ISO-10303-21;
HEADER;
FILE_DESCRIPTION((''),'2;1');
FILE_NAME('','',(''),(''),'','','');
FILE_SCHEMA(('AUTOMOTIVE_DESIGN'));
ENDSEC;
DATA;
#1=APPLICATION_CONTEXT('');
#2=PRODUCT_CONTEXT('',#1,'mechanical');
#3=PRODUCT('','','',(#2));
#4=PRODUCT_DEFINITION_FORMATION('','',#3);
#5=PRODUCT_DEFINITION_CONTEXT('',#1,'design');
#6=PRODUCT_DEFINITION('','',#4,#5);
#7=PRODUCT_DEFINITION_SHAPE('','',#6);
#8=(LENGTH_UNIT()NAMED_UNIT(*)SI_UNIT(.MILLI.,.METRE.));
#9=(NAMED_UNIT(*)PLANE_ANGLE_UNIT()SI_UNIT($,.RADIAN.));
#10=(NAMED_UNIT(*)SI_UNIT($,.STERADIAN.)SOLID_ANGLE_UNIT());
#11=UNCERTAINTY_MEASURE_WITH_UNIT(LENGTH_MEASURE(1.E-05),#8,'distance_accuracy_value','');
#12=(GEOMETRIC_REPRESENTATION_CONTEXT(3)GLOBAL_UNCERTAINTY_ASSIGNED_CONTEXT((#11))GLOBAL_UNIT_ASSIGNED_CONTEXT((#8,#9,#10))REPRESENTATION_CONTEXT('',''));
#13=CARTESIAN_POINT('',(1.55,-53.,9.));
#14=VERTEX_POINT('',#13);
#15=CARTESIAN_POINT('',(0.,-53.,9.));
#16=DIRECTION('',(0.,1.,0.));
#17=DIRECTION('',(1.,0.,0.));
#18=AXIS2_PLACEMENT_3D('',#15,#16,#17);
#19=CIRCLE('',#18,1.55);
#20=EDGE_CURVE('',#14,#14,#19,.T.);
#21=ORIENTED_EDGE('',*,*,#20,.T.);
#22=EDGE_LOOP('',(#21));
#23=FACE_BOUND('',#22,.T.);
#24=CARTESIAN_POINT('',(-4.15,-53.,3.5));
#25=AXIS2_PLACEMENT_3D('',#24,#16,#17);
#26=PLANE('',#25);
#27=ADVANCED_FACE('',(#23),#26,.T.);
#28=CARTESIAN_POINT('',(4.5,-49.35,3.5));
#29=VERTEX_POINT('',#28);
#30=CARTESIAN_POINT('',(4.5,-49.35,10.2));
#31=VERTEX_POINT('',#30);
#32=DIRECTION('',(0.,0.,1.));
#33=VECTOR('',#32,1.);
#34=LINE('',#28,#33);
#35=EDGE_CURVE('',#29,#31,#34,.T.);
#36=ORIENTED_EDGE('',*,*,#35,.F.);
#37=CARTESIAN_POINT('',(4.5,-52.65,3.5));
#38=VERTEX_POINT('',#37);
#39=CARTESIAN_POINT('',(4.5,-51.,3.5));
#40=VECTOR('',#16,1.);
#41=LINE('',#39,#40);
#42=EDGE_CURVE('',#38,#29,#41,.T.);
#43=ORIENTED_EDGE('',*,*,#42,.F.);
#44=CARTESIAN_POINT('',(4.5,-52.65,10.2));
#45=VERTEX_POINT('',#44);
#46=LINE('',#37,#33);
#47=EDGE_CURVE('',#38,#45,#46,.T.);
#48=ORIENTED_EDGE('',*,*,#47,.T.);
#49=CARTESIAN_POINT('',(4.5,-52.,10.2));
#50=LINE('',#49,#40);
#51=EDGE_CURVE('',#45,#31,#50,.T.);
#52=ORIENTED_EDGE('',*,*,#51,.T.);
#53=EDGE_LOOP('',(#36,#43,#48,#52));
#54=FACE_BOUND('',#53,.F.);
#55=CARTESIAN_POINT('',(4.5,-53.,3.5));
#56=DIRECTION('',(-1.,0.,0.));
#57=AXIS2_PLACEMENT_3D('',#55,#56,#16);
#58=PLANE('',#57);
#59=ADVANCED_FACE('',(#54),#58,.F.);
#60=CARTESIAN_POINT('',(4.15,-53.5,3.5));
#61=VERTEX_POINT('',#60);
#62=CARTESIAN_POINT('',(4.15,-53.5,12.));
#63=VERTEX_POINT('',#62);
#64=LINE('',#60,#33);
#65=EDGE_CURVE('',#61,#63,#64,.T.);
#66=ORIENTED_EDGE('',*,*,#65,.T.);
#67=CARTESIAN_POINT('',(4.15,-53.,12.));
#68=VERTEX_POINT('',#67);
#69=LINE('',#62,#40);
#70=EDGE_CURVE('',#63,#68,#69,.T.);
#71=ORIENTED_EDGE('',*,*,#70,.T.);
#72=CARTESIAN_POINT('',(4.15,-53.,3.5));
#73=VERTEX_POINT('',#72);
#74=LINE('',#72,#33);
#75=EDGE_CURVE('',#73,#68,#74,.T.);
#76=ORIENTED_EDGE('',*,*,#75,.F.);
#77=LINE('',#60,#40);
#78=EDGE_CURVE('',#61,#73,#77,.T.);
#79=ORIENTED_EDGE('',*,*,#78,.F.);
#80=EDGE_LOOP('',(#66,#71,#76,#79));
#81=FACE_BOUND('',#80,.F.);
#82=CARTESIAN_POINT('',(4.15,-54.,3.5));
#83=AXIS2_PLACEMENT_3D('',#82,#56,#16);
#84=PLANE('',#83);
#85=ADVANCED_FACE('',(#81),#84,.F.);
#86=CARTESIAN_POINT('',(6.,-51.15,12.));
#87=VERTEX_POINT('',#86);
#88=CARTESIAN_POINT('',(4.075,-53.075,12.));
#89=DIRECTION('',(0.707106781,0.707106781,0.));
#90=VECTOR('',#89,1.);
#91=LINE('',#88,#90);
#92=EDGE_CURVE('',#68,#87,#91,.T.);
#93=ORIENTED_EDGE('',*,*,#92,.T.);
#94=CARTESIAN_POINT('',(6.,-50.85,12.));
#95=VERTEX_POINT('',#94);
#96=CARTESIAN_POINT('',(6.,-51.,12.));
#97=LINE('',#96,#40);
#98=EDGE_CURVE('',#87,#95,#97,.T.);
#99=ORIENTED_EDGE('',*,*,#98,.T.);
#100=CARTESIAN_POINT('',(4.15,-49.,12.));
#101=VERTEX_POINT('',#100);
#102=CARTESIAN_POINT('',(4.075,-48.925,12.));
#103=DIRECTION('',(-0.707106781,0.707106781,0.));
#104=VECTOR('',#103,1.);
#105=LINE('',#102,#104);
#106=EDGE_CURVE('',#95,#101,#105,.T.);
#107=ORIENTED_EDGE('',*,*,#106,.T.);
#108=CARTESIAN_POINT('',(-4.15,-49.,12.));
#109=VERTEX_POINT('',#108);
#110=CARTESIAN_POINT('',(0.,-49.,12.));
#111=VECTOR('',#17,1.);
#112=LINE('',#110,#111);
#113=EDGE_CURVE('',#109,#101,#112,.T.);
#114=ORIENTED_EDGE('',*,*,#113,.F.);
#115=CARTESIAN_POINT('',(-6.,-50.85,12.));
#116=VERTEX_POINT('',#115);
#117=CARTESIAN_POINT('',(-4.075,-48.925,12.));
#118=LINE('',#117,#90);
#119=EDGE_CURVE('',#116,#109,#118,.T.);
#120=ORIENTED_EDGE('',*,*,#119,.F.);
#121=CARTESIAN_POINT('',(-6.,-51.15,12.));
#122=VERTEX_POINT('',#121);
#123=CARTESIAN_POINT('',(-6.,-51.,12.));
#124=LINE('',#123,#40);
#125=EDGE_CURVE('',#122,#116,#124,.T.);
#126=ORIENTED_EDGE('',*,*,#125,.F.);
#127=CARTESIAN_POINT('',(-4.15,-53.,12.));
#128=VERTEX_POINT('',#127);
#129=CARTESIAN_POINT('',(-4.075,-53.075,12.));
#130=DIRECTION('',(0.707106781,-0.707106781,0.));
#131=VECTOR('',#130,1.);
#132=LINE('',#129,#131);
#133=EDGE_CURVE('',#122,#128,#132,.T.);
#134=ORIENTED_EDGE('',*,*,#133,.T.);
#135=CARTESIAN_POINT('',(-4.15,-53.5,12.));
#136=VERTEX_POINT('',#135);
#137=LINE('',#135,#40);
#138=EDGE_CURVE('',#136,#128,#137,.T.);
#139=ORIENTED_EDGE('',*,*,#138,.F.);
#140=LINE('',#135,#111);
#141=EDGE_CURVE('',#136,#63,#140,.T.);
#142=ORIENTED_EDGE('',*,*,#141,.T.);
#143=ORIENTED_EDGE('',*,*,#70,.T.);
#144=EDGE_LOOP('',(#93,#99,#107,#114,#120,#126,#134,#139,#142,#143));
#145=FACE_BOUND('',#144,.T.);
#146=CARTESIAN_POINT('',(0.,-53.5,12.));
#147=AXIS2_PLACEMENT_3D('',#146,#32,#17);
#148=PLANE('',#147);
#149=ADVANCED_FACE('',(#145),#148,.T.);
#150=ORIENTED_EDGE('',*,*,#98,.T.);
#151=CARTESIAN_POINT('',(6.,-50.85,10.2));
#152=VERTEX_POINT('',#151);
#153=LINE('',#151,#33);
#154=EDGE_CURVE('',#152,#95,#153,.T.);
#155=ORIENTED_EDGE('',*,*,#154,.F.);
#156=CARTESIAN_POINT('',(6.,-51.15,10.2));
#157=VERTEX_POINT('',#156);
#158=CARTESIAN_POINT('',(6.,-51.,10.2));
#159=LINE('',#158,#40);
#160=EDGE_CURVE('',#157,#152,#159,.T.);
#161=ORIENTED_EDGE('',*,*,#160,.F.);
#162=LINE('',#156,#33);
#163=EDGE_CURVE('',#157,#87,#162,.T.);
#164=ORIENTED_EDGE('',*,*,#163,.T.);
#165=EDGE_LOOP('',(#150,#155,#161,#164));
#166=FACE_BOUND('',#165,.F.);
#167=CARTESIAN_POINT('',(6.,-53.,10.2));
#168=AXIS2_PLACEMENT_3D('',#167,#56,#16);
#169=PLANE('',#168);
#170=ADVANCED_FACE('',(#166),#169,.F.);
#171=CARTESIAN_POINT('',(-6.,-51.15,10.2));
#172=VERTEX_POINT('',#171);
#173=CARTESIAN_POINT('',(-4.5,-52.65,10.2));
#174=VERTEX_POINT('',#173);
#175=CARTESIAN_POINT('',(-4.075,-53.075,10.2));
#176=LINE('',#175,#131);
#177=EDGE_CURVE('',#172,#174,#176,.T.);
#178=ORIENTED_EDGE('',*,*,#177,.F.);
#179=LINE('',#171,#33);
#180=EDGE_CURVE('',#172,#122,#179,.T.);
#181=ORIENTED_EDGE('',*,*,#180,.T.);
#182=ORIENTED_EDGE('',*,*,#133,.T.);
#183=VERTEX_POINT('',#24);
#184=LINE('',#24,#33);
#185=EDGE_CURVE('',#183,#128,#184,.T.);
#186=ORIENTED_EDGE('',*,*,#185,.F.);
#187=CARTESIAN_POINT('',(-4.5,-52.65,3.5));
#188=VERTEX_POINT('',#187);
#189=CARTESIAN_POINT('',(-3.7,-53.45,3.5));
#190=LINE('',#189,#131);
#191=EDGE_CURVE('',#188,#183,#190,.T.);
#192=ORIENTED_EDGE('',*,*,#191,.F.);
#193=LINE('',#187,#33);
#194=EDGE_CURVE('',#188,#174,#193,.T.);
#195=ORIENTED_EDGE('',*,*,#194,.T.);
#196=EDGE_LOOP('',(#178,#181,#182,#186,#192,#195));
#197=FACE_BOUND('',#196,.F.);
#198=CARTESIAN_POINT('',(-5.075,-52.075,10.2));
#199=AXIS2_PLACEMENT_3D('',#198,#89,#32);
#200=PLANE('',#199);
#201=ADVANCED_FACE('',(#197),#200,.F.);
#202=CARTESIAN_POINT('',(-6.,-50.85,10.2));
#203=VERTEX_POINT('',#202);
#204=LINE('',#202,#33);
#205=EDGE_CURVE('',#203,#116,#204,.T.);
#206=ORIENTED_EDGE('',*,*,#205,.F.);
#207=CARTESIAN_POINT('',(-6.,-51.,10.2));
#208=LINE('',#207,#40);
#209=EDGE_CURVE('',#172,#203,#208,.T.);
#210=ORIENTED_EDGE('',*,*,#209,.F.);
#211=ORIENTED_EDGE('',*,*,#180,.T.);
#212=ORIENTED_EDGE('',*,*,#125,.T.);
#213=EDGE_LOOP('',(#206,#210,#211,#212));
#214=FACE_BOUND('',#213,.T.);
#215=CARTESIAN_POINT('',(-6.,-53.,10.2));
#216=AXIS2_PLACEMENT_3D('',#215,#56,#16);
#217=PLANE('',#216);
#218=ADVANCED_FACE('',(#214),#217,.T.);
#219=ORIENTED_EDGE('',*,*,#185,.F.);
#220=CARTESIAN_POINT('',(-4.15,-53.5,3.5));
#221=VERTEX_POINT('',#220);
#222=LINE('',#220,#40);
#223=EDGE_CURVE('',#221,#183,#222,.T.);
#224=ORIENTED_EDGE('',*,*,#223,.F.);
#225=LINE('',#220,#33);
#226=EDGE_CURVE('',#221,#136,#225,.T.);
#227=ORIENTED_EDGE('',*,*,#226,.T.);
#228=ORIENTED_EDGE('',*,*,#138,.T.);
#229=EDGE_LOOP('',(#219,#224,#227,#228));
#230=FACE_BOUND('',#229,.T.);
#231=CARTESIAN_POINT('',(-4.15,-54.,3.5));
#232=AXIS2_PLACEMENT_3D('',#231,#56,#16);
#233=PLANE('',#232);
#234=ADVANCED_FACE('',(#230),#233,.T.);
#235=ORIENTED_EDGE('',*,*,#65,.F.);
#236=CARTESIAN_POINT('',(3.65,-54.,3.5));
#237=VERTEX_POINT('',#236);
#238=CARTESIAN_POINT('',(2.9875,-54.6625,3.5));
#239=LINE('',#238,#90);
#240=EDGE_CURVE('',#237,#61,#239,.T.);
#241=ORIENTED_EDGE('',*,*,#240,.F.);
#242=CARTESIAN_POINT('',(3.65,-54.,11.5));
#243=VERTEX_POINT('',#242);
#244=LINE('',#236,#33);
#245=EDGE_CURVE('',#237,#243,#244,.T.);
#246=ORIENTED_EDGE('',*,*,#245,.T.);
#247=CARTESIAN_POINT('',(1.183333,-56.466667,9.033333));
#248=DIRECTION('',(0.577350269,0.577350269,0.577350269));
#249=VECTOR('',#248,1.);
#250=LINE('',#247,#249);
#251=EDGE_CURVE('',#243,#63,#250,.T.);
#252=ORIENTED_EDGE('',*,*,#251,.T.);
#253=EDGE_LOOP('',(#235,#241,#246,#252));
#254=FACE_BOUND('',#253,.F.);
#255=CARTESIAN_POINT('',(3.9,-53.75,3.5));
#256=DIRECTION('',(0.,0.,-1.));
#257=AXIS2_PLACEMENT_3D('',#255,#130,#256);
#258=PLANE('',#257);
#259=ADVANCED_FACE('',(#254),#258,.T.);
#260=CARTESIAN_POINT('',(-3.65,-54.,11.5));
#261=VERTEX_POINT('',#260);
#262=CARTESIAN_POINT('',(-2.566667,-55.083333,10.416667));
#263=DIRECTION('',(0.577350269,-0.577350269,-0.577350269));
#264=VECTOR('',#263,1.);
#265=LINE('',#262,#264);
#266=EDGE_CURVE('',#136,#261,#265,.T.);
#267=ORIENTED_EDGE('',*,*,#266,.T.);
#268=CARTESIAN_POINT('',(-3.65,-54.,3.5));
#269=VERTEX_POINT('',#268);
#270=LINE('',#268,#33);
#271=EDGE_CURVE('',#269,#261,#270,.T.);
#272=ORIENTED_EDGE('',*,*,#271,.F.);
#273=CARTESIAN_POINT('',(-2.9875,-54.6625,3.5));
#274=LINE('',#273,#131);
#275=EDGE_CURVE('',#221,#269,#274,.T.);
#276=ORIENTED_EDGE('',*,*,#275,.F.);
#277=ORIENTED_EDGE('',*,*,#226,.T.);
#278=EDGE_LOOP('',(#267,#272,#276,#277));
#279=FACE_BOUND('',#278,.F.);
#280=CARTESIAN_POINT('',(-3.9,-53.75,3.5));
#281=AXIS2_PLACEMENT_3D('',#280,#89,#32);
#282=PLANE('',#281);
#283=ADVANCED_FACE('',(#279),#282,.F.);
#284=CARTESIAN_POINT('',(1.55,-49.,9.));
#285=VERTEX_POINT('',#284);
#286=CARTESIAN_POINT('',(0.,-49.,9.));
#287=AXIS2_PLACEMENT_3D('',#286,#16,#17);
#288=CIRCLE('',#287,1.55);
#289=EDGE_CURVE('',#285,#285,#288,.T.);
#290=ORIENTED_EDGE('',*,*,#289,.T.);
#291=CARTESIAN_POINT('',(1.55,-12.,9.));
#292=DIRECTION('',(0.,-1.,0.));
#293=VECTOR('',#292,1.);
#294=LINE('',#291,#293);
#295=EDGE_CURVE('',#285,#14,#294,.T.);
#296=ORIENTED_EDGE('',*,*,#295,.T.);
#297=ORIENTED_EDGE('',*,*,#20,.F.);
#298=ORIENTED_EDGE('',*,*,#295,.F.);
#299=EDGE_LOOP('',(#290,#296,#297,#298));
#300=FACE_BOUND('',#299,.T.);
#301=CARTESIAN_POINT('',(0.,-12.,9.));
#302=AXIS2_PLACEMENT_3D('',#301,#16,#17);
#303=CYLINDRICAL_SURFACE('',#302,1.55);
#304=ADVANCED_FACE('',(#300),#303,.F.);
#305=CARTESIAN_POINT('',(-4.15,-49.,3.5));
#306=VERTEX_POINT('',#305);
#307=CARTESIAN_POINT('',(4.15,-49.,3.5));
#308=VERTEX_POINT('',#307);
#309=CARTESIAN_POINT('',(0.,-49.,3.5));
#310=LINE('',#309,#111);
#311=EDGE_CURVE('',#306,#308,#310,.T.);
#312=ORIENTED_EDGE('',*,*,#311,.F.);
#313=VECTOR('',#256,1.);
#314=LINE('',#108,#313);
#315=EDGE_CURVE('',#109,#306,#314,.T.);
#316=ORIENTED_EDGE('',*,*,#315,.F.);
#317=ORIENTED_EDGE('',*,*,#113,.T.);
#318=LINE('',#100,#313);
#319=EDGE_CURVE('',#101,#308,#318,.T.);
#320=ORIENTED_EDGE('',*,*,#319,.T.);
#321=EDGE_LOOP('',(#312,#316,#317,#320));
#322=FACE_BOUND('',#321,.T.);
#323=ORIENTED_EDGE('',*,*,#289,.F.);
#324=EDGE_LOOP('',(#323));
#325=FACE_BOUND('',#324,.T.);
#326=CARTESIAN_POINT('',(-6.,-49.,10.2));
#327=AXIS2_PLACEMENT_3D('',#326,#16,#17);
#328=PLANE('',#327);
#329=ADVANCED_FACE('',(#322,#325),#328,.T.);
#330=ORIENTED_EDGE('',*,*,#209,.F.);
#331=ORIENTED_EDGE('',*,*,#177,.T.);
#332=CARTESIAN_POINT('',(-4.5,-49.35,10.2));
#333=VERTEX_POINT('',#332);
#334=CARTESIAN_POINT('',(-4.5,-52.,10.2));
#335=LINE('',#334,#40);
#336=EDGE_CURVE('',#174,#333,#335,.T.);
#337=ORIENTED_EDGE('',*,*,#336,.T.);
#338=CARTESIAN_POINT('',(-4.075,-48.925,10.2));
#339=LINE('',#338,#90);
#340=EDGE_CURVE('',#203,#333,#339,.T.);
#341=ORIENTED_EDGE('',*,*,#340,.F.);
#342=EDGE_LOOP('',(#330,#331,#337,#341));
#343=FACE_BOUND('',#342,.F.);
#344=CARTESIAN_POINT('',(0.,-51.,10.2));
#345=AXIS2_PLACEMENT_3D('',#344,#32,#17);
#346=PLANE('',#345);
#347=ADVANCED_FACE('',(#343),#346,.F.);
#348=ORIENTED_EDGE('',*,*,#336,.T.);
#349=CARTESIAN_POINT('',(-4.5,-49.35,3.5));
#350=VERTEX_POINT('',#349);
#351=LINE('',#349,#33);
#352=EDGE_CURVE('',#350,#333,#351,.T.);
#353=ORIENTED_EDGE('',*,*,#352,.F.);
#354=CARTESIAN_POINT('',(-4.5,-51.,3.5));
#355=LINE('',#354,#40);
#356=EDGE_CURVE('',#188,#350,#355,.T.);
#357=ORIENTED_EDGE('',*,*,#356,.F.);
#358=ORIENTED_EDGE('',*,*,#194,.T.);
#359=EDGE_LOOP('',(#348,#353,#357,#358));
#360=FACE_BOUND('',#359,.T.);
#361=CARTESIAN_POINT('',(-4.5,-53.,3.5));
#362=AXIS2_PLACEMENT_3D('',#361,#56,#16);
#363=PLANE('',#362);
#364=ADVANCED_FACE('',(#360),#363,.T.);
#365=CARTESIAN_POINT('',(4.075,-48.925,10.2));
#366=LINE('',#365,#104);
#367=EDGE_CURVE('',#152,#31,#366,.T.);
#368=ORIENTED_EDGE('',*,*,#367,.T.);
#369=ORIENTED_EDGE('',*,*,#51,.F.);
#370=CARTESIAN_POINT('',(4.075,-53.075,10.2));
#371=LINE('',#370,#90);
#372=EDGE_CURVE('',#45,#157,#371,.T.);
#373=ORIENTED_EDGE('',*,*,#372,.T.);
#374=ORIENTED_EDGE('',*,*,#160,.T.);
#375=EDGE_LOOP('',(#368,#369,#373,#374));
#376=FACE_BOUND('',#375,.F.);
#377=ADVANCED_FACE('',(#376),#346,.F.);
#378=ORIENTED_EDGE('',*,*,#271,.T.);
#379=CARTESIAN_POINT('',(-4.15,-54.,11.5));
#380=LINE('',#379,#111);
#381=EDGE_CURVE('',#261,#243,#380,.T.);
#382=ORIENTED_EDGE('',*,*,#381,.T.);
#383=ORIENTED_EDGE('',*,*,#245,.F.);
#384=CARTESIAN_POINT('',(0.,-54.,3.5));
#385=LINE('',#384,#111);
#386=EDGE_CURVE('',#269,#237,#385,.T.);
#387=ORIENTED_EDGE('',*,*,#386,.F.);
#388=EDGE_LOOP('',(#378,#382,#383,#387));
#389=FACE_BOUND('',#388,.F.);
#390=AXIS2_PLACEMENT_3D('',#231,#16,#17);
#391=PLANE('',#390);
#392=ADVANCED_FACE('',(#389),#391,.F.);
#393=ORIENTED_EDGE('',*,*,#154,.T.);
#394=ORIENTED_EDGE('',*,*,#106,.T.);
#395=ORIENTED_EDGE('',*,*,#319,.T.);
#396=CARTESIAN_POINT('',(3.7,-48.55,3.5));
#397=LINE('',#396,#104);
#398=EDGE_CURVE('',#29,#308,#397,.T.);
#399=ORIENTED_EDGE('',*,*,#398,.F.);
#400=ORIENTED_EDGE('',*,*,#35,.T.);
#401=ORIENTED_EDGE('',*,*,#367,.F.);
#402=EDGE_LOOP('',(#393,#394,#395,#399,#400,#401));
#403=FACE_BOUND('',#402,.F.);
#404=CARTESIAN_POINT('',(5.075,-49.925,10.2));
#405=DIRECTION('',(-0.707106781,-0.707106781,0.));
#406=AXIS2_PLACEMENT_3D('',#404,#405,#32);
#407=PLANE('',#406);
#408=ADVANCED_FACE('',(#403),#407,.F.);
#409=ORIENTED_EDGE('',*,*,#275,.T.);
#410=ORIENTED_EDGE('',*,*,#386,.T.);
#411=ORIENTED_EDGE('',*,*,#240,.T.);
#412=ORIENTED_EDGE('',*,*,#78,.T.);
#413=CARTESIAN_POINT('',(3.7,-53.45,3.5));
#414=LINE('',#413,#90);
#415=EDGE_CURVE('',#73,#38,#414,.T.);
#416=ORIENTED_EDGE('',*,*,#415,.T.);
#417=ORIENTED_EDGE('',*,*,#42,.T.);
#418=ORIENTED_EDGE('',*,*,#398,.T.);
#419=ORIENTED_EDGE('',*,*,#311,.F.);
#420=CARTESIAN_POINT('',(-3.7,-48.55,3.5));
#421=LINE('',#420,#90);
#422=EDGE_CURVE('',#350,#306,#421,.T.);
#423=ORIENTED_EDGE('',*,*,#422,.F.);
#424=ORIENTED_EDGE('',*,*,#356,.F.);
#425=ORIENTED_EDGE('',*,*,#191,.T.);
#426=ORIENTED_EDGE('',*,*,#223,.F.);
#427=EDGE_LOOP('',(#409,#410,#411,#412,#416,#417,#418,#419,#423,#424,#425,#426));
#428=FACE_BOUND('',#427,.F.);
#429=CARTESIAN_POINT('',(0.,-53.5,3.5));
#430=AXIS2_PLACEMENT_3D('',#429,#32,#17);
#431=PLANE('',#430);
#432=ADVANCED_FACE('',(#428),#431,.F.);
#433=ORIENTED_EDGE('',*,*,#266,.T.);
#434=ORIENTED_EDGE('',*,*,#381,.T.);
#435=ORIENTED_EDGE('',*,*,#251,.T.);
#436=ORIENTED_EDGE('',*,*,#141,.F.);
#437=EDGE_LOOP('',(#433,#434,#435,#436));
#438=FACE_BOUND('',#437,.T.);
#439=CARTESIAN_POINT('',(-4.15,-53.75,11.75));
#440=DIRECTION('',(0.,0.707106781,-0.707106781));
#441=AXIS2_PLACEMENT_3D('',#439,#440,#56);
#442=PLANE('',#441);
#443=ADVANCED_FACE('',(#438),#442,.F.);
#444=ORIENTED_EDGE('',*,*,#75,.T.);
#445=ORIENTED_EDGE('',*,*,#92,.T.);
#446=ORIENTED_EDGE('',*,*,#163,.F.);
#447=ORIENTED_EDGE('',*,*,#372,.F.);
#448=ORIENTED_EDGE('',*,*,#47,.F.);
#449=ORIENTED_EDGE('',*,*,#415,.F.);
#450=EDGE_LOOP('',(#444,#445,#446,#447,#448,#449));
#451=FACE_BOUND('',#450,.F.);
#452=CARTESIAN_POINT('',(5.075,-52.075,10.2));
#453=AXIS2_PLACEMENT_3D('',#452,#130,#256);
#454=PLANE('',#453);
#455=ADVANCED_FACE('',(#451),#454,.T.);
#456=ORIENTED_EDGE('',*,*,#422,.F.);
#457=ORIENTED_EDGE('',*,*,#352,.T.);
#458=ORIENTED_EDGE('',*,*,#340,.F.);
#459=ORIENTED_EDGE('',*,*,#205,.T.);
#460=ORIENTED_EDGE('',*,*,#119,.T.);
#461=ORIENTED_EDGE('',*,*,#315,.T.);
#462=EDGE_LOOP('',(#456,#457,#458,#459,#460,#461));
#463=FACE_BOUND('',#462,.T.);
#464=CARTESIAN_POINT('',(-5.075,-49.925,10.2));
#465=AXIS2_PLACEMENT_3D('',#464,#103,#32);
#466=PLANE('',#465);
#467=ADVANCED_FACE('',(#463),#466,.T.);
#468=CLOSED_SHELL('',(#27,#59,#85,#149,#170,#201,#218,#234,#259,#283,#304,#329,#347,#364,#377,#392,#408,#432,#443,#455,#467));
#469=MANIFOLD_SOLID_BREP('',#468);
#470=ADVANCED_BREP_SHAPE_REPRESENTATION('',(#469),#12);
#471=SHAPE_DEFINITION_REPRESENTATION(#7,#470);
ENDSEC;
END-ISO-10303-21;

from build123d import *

# Parameters (mm, degrees)
BOX010_W          = 8.3
BOX010_H          = 1
BOX010_DEPTH      = 8.5
CHAMFER009_SIZE   = 0.5
CYLINDER005_R     = 1.55
CYLINDER005_DEPTH = 67
BOX008_W          = 12
BOX008_H          = 4
BOX008_DEPTH      = 1.8
CHAMFER006_SIZE   = 1.85
BOX007_W          = 9
BOX007_H          = 4
BOX007_DEPTH      = 7
CHAMFER007_SIZE   = 0.35


with BuildPart() as chamfer009:
    # Box010 → Box010 (new body)
    with BuildSketch(Plane(origin=(-4.15, -42, 3.5), x_dir=(1, 0, 0), z_dir=(0, 0, 1))):
        with Locations((4.15, 0.5)):
            Rectangle(BOX010_W, BOX010_H)
    extrude(amount=BOX010_DEPTH)

    # Chamfer009
    chamfer009_edges = [chamfer009.edges().sort_by_distance(p)[0] for p in [
        (-4.15, -42, 7.75),
        (4.15, -42, 7.75),
        (0, -42, 12),
    ]]
    chamfer(chamfer009_edges, length=CHAMFER009_SIZE)


with BuildPart() as cylinder005:
    # Cylinder005 → Cylinder005 (new body)
    with BuildSketch(Plane(origin=(0, 0, 9), x_dir=(1, 0, 0), z_dir=(0, -1, 0))):
        Circle(CYLINDER005_R)
    extrude(amount=CYLINDER005_DEPTH)


with BuildPart() as chamfer006:
    # Box008 → Box008 (new body)
    with BuildSketch(Plane(origin=(-6, -41, 10.2), x_dir=(1, 0, 0), z_dir=(0, 0, 1))):
        with Locations((6, 2)):
            Rectangle(BOX008_W, BOX008_H)
    extrude(amount=BOX008_DEPTH)

    # Chamfer006
    chamfer006_edges = [chamfer006.edges().sort_by_distance(p)[0] for p in [
        (-6, -41, 11.1),
        (-6, -37, 11.1),
        (6, -41, 11.1),
        (6, -37, 11.1),
    ]]
    chamfer(chamfer006_edges, length=CHAMFER006_SIZE)


with BuildPart() as fusion002:
    # Box007 → Box007 (new body)
    with BuildSketch(Plane(origin=(-4.5, -41, 3.5), x_dir=(1, 0, 0), z_dir=(0, 0, 1))):
        with Locations((4.5, 2)):
            Rectangle(BOX007_W, BOX007_H)
    extrude(amount=BOX007_DEPTH)

    # Chamfer007
    chamfer007_edges = [fusion002.edges().sort_by_distance(p)[0] for p in [
        (-4.5, -41, 7),
        (-4.5, -37, 7),
        (4.5, -41, 7),
        (4.5, -37, 7),
    ]]
    chamfer(chamfer007_edges, length=CHAMFER007_SIZE)

    # Fusion001: union Chamfer006
    add(chamfer006.part)

    # Cut004: cut Cylinder005
    add(cylinder005.part, mode=Mode.SUBTRACT)

    # Fusion002: union Chamfer009
    add(chamfer009.part)


with BuildPart() as fusion002_1:
    # Fusion002 placement: moved
    add(fusion002.part.moved(Location((0, -12, 0))))


solid = fusion002_1.part
